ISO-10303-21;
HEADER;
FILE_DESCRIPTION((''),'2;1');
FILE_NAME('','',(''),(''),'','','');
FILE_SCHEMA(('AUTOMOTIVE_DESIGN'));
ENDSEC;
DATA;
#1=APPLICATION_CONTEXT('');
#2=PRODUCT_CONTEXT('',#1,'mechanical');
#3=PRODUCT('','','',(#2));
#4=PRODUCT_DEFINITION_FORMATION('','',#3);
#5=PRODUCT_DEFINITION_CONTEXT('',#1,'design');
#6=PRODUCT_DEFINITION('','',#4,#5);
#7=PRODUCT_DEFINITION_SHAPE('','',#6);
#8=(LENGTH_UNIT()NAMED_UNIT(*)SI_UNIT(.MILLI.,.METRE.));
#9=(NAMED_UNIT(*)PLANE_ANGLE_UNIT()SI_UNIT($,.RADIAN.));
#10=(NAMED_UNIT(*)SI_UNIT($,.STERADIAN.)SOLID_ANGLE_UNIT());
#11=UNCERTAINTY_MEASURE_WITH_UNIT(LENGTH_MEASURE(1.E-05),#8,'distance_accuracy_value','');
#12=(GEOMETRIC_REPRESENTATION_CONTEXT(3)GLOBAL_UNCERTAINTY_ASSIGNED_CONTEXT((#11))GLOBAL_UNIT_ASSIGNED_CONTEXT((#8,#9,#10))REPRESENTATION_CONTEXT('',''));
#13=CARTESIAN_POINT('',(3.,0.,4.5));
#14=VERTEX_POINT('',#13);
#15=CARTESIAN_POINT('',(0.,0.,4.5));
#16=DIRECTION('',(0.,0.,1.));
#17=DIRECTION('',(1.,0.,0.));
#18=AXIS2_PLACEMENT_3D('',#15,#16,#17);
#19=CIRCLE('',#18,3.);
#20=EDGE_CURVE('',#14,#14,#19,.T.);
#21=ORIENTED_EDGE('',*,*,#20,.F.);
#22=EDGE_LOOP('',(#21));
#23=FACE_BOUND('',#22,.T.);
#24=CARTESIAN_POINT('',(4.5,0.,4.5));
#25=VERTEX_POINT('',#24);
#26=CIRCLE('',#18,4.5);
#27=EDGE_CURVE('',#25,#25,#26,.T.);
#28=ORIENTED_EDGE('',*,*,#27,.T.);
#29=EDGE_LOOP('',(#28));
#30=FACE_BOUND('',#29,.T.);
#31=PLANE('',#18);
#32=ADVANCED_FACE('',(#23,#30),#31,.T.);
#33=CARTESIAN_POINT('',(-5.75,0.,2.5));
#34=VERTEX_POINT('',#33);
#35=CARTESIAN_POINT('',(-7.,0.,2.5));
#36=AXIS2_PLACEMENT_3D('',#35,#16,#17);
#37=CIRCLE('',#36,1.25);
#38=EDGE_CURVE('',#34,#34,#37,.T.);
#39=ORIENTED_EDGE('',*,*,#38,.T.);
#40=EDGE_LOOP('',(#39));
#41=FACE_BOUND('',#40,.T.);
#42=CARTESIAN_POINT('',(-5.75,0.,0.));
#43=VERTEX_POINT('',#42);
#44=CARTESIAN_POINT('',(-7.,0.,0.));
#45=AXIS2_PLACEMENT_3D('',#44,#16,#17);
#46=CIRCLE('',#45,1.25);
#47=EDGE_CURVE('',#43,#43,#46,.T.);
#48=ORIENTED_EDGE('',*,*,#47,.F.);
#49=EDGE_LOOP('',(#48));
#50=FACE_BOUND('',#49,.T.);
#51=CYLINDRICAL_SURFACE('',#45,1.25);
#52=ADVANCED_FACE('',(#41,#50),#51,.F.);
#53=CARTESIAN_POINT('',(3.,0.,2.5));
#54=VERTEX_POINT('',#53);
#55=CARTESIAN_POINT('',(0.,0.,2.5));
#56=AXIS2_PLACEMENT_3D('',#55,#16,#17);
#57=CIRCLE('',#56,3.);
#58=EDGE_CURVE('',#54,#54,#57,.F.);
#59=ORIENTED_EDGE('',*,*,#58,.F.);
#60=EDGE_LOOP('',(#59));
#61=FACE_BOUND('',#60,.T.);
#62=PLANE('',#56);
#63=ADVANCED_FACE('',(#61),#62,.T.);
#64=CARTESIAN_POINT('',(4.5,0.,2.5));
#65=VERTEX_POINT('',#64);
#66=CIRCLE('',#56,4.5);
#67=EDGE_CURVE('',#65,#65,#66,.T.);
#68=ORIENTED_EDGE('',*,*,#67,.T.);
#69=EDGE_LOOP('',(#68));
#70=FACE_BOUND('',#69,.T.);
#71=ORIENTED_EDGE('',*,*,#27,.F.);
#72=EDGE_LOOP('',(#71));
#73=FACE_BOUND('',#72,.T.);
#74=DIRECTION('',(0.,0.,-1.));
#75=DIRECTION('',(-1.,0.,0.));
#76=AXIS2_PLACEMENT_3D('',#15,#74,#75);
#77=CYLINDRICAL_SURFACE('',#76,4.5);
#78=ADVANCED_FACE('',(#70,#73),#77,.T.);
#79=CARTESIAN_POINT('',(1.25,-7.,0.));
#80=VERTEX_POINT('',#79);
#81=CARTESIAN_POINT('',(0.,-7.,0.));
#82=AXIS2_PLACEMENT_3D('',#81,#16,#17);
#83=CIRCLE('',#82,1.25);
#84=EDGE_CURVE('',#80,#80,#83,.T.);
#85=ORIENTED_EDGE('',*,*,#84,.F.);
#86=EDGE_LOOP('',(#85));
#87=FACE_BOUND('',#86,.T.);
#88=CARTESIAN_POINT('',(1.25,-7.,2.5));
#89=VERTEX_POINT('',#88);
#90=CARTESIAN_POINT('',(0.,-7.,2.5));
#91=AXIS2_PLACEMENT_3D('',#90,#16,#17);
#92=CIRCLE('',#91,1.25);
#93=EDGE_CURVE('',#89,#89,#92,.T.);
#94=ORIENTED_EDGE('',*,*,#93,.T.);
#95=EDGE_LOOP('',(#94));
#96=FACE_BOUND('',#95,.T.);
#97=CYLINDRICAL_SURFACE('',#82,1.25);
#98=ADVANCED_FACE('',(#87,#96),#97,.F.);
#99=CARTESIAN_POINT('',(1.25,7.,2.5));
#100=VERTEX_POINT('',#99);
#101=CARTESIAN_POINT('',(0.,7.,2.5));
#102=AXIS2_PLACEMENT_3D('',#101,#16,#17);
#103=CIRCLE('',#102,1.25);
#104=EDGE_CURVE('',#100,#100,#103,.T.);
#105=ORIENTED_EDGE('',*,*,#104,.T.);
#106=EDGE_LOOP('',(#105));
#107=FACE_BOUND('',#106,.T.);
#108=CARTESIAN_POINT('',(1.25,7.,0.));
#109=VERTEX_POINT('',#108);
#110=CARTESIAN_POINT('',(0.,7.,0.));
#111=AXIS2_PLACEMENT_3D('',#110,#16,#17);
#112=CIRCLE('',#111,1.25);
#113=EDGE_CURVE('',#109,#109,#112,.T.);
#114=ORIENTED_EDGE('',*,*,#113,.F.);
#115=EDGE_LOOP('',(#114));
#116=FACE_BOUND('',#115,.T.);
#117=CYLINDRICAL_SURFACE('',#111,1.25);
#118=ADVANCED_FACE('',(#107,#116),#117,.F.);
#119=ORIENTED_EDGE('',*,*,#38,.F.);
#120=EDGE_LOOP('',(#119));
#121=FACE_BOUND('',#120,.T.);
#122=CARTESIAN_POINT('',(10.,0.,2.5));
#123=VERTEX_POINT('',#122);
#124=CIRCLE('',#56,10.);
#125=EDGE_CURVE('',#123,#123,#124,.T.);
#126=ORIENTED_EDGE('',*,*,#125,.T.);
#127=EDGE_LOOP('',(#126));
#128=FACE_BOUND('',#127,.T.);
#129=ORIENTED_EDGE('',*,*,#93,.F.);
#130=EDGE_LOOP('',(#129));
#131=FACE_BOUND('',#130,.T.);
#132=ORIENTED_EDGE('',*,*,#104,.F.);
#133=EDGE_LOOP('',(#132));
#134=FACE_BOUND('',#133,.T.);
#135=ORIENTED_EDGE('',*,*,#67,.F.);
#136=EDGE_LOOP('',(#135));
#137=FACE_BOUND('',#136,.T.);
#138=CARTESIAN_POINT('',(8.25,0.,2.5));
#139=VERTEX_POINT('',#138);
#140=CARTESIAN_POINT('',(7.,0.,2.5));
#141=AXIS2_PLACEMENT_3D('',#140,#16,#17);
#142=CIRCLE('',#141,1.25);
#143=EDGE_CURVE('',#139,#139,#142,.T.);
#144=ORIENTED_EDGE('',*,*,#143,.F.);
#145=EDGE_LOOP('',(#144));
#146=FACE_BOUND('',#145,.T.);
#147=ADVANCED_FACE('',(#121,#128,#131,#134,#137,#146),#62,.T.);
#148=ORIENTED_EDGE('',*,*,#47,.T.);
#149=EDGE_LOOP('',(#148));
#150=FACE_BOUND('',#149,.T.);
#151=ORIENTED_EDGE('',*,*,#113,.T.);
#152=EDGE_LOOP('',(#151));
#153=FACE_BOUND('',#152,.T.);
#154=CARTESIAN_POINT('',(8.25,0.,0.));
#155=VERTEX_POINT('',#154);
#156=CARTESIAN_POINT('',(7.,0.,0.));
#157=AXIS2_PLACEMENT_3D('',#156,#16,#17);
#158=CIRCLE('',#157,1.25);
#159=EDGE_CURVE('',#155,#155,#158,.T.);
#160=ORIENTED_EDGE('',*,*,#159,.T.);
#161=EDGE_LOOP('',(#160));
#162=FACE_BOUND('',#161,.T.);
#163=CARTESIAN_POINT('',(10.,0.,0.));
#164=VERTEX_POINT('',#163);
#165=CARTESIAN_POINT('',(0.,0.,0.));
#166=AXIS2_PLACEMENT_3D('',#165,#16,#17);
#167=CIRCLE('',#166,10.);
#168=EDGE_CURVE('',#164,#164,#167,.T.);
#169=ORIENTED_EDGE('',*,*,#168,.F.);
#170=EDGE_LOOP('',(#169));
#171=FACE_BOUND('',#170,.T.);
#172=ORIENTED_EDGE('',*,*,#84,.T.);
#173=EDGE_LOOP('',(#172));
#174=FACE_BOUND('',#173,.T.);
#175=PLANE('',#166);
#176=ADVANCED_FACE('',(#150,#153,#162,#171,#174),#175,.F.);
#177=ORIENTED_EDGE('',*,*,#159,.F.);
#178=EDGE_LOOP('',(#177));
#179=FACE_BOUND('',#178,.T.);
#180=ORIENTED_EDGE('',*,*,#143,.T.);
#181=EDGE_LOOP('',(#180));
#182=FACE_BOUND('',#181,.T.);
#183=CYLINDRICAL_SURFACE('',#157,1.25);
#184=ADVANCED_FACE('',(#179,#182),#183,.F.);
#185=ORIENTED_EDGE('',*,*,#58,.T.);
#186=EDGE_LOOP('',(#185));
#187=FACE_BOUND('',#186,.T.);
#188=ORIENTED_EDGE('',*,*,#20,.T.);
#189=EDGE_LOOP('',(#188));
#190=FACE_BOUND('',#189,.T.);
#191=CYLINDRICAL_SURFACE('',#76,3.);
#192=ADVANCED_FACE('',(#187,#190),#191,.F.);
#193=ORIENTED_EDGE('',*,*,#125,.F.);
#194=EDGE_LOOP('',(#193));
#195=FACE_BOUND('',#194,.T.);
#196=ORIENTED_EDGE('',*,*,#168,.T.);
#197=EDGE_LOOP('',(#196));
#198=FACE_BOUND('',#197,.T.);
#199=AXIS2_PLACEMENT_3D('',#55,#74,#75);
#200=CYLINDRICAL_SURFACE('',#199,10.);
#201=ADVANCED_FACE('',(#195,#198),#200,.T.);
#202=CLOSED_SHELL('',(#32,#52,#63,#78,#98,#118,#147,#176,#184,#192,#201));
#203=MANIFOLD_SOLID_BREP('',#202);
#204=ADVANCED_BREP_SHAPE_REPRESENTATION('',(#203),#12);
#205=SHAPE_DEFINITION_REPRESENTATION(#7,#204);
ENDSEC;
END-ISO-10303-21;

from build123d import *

# Parameters (mm, degrees)
SKETCH_1_R          = 10
EXTRUDE_1_DEPTH     = 2.5
SKETCH_2_R          = 4.5
SKETCH_2_R_2        = 3
EXTRUDE_2_DEPTH     = 2
SKETCH_3_R          = 1.25
CUT_EXTRUDE_1_DEPTH = 15.361406616


with BuildPart() as part:
    # 草图1 → 凸台-拉伸1 (new body)
    with BuildSketch(Plane.XY):
        Circle(SKETCH_1_R)
    extrude(amount=EXTRUDE_1_DEPTH)

    # 草图2 → 凸台-拉伸2 (add)
    with BuildSketch(Plane.XY.offset(2.5)):
        Circle(SKETCH_2_R)
        Circle(SKETCH_2_R_2, mode=Mode.SUBTRACT)
    extrude(amount=EXTRUDE_2_DEPTH)

    # 草图3 → 切除-拉伸1 (cut, through all)
    with BuildSketch(Plane.XY.offset(2.5)):
        with Locations((0, 7)):
            Circle(SKETCH_3_R)
        with Locations((7, 0)):
            Circle(SKETCH_3_R)
        with Locations((0, -7)):
            Circle(SKETCH_3_R)
        with Locations((-7, 0)):
            Circle(SKETCH_3_R)
    extrude(amount=-CUT_EXTRUDE_1_DEPTH, mode=Mode.SUBTRACT)


solid = part.part
